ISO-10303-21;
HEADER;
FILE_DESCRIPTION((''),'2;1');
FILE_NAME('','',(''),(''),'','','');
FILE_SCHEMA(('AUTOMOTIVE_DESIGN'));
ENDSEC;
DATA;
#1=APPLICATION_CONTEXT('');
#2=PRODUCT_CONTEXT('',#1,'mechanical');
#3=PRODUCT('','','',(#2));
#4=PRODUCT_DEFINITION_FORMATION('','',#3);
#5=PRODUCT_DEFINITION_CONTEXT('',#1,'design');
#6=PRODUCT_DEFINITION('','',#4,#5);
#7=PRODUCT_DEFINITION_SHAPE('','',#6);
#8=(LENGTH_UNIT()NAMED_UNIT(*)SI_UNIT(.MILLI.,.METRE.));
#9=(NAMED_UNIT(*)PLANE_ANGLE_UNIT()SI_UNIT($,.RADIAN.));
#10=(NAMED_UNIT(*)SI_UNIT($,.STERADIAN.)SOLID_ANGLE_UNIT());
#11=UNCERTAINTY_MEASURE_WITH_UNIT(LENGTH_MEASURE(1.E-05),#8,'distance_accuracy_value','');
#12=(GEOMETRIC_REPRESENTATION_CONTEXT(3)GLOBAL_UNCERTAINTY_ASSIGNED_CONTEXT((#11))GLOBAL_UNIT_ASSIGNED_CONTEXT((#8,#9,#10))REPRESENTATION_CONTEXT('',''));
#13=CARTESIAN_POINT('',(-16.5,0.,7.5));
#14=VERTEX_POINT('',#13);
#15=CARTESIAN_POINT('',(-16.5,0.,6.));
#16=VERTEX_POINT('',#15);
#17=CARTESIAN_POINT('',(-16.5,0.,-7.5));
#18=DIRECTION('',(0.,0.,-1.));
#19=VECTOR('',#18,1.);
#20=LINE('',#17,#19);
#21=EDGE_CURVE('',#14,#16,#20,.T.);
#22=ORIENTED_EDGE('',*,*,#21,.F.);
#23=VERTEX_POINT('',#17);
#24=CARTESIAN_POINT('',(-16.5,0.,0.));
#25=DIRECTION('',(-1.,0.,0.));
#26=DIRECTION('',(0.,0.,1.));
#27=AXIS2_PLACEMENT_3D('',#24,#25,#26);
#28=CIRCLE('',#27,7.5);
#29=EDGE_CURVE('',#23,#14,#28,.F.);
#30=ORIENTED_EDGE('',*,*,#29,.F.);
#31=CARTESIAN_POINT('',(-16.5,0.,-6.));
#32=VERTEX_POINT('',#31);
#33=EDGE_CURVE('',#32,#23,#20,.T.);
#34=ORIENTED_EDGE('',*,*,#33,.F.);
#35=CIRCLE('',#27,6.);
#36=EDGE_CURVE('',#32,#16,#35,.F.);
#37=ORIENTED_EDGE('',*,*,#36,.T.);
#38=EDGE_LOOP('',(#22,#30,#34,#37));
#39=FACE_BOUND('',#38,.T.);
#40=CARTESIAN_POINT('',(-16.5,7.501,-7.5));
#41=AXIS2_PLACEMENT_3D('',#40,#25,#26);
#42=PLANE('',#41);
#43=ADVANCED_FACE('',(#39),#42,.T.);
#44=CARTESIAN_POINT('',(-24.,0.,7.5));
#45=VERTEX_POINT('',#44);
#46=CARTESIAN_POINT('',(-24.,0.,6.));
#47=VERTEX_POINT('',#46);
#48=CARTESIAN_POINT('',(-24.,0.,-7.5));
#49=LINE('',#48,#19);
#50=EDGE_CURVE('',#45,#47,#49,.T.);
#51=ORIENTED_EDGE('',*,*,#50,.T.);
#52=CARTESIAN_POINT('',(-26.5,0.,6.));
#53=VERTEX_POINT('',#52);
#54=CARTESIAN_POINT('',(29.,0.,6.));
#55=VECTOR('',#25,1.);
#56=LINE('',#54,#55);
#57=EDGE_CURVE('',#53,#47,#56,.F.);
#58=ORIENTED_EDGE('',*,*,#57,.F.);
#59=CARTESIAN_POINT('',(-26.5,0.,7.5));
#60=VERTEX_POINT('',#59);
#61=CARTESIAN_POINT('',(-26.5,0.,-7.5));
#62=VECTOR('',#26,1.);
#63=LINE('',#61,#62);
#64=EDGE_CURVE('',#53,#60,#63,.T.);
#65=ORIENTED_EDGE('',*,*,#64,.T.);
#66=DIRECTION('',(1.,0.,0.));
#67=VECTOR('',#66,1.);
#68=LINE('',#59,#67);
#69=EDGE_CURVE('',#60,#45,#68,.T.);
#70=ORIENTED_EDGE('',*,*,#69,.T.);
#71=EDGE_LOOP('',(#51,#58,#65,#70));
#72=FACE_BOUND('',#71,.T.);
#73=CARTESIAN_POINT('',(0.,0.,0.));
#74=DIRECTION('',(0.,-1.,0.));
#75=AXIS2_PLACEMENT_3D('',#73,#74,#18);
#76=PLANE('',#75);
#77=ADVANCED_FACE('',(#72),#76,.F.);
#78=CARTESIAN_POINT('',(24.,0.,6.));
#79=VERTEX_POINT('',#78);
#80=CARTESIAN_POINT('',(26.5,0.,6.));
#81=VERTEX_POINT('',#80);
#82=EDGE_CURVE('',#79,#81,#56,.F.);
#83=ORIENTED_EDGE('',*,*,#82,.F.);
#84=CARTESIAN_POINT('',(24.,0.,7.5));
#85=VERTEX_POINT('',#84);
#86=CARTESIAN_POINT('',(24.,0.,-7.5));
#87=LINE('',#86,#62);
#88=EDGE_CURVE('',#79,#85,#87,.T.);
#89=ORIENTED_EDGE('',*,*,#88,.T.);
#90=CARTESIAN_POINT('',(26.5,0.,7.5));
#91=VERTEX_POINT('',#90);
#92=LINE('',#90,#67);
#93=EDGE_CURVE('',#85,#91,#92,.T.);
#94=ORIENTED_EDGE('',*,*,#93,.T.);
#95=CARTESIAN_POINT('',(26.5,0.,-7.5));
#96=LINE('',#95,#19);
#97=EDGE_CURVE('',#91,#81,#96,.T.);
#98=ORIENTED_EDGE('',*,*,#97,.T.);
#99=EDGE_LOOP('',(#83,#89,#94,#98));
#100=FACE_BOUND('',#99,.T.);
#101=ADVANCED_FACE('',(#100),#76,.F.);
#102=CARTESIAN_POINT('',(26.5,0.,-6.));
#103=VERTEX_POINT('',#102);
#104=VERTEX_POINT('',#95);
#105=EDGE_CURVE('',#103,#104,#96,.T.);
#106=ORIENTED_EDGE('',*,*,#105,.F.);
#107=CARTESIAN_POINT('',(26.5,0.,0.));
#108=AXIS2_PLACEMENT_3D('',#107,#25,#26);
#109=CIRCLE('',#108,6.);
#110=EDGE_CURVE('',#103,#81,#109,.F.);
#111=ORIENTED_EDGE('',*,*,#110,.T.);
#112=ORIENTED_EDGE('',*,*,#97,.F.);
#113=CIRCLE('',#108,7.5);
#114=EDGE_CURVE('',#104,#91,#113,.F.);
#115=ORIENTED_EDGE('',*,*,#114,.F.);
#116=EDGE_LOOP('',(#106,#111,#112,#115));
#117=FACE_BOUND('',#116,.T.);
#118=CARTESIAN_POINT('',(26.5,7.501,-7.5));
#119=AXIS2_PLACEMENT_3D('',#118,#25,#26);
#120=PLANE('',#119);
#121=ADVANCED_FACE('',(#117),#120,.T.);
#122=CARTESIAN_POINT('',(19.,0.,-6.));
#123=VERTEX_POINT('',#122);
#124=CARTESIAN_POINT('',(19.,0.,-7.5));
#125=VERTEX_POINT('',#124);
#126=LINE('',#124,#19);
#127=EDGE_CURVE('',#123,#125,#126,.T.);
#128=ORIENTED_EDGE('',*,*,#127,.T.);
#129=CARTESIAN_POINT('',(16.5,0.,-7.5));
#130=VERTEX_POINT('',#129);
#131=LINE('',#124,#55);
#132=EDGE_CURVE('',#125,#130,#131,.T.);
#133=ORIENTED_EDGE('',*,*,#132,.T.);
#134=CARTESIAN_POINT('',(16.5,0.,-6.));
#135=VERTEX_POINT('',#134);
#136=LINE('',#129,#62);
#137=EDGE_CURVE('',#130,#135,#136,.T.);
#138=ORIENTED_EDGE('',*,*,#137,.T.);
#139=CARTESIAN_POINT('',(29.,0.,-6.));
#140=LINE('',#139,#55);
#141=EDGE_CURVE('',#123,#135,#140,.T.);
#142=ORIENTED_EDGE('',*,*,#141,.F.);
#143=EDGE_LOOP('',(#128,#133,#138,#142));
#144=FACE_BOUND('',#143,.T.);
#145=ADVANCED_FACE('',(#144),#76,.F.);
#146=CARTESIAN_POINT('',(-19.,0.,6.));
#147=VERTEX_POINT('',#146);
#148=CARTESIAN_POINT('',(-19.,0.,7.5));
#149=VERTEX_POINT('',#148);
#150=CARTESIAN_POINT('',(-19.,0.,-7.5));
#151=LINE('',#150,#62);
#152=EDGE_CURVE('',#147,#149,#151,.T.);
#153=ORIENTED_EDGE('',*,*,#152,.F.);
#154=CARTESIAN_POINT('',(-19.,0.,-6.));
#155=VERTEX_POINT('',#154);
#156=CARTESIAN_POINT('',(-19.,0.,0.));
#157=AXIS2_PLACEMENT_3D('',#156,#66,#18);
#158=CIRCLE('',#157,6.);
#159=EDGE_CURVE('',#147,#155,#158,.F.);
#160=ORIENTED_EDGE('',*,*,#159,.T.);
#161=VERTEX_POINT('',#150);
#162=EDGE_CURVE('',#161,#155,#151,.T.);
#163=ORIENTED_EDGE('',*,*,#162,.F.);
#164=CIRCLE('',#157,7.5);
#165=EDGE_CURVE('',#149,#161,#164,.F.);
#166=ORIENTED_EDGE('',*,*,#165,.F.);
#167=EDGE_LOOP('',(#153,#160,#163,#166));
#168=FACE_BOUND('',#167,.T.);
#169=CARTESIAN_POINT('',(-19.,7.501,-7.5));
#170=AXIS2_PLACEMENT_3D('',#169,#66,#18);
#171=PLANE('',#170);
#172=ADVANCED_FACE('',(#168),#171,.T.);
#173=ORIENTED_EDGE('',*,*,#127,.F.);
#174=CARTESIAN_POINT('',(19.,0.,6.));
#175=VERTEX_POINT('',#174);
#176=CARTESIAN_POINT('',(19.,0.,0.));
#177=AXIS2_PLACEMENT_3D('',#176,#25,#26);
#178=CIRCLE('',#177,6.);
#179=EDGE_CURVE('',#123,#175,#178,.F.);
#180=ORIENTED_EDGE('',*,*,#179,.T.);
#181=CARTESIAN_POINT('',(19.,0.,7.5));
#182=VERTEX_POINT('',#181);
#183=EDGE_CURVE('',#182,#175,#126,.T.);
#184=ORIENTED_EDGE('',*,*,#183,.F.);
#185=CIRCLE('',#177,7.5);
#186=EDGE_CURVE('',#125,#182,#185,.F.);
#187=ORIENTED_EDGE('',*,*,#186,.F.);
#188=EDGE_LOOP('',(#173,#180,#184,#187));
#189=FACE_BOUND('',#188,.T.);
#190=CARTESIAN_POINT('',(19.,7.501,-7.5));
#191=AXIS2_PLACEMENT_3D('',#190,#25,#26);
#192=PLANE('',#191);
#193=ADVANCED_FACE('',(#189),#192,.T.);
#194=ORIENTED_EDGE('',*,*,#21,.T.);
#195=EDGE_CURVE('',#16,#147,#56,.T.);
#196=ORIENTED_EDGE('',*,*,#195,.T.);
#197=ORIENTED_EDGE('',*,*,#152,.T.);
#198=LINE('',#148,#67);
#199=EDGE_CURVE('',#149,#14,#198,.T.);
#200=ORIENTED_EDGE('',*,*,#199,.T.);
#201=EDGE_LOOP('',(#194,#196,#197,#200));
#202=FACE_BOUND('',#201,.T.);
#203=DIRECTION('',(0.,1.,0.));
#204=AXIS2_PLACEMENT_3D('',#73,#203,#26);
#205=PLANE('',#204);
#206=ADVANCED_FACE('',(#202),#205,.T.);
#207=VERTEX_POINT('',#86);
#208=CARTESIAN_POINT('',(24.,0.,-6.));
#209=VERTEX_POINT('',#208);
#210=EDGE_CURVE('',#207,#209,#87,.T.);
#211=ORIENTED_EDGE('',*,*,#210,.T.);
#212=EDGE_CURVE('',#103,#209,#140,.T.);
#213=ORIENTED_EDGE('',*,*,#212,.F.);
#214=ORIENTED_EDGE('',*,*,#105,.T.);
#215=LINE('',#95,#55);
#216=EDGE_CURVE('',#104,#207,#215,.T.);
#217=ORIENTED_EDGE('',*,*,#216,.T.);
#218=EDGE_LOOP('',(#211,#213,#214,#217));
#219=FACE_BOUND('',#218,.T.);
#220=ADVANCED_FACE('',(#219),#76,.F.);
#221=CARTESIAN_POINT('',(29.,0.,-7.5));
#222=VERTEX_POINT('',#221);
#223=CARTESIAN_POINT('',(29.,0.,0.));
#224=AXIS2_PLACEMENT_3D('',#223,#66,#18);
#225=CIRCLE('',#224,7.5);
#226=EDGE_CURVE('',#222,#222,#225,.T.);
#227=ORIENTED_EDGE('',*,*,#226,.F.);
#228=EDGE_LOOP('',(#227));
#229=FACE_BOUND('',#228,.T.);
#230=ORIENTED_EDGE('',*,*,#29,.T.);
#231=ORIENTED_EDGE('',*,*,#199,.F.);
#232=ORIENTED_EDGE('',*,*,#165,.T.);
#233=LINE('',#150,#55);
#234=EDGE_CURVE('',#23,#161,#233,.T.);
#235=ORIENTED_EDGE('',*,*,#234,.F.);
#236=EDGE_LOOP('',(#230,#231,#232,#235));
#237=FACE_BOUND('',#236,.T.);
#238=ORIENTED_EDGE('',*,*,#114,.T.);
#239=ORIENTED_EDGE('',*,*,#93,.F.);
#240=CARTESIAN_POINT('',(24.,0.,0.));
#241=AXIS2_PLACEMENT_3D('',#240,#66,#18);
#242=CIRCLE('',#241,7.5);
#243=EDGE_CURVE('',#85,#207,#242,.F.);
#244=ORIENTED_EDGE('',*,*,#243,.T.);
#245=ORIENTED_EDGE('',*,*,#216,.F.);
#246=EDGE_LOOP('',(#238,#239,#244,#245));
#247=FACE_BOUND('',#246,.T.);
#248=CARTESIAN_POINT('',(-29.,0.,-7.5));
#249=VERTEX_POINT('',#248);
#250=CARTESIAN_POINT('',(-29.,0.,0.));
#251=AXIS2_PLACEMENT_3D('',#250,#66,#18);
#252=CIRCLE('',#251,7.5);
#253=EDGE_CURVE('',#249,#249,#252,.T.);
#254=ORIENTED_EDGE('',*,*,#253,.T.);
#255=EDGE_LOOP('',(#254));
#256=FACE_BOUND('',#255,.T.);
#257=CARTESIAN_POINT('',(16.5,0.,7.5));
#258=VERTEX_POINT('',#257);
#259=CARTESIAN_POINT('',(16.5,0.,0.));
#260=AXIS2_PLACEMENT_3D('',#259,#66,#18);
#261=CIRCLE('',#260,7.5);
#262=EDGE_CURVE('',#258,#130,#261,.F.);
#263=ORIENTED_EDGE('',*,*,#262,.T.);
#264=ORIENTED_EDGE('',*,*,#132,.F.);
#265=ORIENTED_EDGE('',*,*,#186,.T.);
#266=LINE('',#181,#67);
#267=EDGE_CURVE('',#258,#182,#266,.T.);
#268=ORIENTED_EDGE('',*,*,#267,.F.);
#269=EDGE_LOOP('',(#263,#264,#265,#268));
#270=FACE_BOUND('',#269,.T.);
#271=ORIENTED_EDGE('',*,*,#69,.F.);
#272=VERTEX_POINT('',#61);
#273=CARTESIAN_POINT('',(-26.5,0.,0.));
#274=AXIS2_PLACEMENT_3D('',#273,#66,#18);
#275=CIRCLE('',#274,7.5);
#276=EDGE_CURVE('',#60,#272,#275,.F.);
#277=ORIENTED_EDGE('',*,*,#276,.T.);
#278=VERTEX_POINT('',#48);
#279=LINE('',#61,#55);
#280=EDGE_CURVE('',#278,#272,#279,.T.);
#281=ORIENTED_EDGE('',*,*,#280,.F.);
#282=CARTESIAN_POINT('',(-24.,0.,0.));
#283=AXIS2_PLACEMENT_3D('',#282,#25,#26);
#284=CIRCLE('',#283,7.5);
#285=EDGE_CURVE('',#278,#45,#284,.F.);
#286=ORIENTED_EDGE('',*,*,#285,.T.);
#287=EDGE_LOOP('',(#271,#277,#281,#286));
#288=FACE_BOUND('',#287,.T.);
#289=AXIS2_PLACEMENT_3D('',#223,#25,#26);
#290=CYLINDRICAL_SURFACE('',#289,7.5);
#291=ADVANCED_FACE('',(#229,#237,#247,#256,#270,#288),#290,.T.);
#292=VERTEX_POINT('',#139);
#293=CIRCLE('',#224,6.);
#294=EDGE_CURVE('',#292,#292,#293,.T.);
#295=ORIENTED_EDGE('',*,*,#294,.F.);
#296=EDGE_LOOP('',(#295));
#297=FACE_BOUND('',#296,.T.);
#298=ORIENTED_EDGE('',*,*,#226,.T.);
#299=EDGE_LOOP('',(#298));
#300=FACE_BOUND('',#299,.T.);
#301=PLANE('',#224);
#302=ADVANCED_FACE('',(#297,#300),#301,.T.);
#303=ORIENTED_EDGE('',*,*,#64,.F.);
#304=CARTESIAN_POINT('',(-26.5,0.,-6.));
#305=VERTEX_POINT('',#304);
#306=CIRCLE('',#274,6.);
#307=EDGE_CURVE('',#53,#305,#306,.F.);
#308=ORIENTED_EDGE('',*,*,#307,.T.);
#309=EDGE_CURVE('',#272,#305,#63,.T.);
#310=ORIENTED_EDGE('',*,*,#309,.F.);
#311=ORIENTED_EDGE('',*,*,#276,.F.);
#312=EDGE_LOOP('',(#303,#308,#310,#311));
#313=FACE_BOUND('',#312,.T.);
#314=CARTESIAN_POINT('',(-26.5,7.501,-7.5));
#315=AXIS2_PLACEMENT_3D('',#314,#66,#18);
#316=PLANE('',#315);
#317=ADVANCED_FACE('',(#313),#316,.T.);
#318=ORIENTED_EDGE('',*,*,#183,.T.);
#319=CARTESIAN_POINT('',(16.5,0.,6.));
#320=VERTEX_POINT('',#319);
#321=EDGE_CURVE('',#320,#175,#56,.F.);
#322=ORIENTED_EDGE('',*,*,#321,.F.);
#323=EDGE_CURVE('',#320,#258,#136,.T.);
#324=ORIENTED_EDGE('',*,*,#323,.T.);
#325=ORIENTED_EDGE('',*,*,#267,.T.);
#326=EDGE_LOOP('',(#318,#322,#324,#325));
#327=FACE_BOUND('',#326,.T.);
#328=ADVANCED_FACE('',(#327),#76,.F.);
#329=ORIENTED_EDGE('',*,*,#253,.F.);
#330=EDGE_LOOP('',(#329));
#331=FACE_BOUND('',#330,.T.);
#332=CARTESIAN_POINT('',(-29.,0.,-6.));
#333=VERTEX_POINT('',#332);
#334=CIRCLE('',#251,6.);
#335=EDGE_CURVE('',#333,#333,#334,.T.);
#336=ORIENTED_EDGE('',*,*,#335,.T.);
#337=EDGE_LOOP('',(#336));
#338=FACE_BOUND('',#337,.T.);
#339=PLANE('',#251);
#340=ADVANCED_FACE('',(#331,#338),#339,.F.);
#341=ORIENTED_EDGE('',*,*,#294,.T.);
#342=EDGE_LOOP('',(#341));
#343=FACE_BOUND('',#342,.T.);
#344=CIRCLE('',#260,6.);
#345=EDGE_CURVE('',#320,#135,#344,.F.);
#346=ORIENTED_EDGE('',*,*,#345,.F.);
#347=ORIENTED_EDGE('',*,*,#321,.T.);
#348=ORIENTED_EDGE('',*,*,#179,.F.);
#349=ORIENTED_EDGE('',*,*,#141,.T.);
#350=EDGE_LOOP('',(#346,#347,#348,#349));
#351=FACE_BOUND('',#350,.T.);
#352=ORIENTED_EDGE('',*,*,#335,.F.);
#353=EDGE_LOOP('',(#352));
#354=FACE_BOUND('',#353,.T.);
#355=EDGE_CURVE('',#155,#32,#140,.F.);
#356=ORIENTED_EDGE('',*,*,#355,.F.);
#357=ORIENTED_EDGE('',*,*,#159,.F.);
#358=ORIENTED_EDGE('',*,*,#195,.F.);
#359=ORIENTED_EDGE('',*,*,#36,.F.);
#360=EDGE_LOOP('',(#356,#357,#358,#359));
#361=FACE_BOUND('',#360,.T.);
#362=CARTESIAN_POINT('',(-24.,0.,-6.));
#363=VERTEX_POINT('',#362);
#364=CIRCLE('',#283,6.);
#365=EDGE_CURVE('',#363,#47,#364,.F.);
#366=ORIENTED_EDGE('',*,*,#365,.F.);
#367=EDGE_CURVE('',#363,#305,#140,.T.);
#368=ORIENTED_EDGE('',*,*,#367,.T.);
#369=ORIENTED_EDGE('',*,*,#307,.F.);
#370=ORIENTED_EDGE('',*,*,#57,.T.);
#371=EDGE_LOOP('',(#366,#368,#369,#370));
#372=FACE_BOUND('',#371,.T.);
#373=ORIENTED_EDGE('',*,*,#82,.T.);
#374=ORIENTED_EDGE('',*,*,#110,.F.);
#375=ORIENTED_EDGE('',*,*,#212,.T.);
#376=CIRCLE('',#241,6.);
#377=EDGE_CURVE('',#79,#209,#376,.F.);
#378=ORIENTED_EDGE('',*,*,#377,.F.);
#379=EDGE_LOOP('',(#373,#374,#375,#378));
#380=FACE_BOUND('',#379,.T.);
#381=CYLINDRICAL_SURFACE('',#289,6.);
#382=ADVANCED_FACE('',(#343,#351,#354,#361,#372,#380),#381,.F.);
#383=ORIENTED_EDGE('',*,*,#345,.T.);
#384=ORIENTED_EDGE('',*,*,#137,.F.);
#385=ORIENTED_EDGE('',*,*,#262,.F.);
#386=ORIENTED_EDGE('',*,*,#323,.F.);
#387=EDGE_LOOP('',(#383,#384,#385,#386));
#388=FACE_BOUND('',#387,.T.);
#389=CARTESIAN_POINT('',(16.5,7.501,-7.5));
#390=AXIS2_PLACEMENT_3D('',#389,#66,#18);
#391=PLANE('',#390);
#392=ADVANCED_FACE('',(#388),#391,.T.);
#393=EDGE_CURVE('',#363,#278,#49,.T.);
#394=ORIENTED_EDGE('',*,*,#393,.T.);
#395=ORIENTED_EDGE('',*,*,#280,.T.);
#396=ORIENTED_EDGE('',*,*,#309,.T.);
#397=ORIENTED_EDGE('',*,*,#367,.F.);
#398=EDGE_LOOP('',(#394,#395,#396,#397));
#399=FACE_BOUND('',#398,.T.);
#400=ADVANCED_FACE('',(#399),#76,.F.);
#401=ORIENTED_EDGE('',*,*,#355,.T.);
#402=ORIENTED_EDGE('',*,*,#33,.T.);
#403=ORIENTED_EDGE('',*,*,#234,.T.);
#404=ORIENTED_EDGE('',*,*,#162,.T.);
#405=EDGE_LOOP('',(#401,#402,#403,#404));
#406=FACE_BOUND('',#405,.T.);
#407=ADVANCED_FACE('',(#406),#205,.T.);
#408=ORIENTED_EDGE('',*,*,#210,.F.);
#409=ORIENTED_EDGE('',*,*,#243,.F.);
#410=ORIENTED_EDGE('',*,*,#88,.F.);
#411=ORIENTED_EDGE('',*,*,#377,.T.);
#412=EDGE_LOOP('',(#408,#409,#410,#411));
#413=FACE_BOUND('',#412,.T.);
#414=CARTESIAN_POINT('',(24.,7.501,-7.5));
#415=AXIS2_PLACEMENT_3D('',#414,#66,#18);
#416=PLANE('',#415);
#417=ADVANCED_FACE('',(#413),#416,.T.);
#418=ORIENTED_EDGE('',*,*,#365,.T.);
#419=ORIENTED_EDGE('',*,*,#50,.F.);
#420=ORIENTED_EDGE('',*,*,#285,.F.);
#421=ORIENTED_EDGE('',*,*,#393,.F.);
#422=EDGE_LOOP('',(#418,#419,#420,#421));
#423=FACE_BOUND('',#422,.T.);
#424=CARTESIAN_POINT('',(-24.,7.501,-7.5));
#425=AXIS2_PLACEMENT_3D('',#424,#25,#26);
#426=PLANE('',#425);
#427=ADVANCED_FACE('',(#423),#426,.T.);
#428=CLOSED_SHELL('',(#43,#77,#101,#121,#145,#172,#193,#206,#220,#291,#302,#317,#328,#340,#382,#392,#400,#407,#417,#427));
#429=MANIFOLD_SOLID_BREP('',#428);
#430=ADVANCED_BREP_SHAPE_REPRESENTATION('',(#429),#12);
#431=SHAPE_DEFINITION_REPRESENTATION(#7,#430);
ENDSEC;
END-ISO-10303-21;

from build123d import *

# Parameters (mm, degrees)
SKETCH2_R           = 7.5
SKETCH2_R_2         = 6
BOSS_EXTRUDE1_DEPTH = 29
CUT_EXTRUDE1_REACH  = 32.879
SKETCH4_W           = 2.5
SKETCH4_H           = 15


with BuildPart() as part:
    # Sketch2 → Boss-Extrude1 (new, symmetric)
    with BuildSketch(Plane(origin=(0, 0, 0), x_dir=(0, 0, -1), z_dir=(1, 0, 0))):
        with Locations(Location((0, 0, 0), (0, 0, 180))):
            Circle(SKETCH2_R)
        with Locations(Location((0, 0, 0), (0, 0, 180))):
            Circle(SKETCH2_R_2, mode=Mode.SUBTRACT)
    extrude(amount=BOSS_EXTRUDE1_DEPTH, both=True)

    # Sketch4 → Cut-Extrude1 (cut, up to next)
    with BuildSketch(Plane(origin=(0, 0, 0), x_dir=(1, 0, 0), z_dir=(0, 1, 0)), mode=Mode.PRIVATE) as cut_extrude1_sk1:
        with Locations((25.25, 0)):
            Rectangle(SKETCH4_W, SKETCH4_H)
    cut_extrude1_tool1 = extrude(cut_extrude1_sk1.sketch, amount=CUT_EXTRUDE1_REACH, mode=Mode.PRIVATE) & part.part
    # Sketch4 → Cut-Extrude1 (cut, up to next)
    with BuildSketch(Plane(origin=(0, 0, 0), x_dir=(1, 0, 0), z_dir=(0, 1, 0)), mode=Mode.PRIVATE) as cut_extrude1_sk2:
        with Locations((17.75, 0)):
            Rectangle(SKETCH4_W, SKETCH4_H)
    cut_extrude1_tool2 = extrude(cut_extrude1_sk2.sketch, amount=CUT_EXTRUDE1_REACH, mode=Mode.PRIVATE) & part.part
    # Sketch4 → Cut-Extrude1 (cut, up to next)
    with BuildSketch(Plane(origin=(0, 0, 0), x_dir=(1, 0, 0), z_dir=(0, 1, 0)), mode=Mode.PRIVATE) as cut_extrude1_sk3:
        with Locations((-17.75, 0)):
            Rectangle(SKETCH4_W, SKETCH4_H)
    cut_extrude1_tool3 = extrude(cut_extrude1_sk3.sketch, amount=CUT_EXTRUDE1_REACH, mode=Mode.PRIVATE) & part.part
    # Sketch4 → Cut-Extrude1 (cut, up to next)
    with BuildSketch(Plane(origin=(0, 0, 0), x_dir=(1, 0, 0), z_dir=(0, 1, 0)), mode=Mode.PRIVATE) as cut_extrude1_sk4:
        with Locations((-25.25, 0)):
            Rectangle(SKETCH4_W, SKETCH4_H)
    cut_extrude1_tool4 = extrude(cut_extrude1_sk4.sketch, amount=CUT_EXTRUDE1_REACH, mode=Mode.PRIVATE) & part.part
    add(cut_extrude1_tool1.solids().sort_by_distance((25.25, 0, 0))[0], mode=Mode.SUBTRACT)
    add(cut_extrude1_tool2.solids().sort_by_distance((17.75, 0, 0))[0], mode=Mode.SUBTRACT)
    add(cut_extrude1_tool3.solids().sort_by_distance((-17.75, 0, 0))[0], mode=Mode.SUBTRACT)
    add(cut_extrude1_tool4.solids().sort_by_distance((-25.25, 0, 0))[0], mode=Mode.SUBTRACT)


solid = part.part
